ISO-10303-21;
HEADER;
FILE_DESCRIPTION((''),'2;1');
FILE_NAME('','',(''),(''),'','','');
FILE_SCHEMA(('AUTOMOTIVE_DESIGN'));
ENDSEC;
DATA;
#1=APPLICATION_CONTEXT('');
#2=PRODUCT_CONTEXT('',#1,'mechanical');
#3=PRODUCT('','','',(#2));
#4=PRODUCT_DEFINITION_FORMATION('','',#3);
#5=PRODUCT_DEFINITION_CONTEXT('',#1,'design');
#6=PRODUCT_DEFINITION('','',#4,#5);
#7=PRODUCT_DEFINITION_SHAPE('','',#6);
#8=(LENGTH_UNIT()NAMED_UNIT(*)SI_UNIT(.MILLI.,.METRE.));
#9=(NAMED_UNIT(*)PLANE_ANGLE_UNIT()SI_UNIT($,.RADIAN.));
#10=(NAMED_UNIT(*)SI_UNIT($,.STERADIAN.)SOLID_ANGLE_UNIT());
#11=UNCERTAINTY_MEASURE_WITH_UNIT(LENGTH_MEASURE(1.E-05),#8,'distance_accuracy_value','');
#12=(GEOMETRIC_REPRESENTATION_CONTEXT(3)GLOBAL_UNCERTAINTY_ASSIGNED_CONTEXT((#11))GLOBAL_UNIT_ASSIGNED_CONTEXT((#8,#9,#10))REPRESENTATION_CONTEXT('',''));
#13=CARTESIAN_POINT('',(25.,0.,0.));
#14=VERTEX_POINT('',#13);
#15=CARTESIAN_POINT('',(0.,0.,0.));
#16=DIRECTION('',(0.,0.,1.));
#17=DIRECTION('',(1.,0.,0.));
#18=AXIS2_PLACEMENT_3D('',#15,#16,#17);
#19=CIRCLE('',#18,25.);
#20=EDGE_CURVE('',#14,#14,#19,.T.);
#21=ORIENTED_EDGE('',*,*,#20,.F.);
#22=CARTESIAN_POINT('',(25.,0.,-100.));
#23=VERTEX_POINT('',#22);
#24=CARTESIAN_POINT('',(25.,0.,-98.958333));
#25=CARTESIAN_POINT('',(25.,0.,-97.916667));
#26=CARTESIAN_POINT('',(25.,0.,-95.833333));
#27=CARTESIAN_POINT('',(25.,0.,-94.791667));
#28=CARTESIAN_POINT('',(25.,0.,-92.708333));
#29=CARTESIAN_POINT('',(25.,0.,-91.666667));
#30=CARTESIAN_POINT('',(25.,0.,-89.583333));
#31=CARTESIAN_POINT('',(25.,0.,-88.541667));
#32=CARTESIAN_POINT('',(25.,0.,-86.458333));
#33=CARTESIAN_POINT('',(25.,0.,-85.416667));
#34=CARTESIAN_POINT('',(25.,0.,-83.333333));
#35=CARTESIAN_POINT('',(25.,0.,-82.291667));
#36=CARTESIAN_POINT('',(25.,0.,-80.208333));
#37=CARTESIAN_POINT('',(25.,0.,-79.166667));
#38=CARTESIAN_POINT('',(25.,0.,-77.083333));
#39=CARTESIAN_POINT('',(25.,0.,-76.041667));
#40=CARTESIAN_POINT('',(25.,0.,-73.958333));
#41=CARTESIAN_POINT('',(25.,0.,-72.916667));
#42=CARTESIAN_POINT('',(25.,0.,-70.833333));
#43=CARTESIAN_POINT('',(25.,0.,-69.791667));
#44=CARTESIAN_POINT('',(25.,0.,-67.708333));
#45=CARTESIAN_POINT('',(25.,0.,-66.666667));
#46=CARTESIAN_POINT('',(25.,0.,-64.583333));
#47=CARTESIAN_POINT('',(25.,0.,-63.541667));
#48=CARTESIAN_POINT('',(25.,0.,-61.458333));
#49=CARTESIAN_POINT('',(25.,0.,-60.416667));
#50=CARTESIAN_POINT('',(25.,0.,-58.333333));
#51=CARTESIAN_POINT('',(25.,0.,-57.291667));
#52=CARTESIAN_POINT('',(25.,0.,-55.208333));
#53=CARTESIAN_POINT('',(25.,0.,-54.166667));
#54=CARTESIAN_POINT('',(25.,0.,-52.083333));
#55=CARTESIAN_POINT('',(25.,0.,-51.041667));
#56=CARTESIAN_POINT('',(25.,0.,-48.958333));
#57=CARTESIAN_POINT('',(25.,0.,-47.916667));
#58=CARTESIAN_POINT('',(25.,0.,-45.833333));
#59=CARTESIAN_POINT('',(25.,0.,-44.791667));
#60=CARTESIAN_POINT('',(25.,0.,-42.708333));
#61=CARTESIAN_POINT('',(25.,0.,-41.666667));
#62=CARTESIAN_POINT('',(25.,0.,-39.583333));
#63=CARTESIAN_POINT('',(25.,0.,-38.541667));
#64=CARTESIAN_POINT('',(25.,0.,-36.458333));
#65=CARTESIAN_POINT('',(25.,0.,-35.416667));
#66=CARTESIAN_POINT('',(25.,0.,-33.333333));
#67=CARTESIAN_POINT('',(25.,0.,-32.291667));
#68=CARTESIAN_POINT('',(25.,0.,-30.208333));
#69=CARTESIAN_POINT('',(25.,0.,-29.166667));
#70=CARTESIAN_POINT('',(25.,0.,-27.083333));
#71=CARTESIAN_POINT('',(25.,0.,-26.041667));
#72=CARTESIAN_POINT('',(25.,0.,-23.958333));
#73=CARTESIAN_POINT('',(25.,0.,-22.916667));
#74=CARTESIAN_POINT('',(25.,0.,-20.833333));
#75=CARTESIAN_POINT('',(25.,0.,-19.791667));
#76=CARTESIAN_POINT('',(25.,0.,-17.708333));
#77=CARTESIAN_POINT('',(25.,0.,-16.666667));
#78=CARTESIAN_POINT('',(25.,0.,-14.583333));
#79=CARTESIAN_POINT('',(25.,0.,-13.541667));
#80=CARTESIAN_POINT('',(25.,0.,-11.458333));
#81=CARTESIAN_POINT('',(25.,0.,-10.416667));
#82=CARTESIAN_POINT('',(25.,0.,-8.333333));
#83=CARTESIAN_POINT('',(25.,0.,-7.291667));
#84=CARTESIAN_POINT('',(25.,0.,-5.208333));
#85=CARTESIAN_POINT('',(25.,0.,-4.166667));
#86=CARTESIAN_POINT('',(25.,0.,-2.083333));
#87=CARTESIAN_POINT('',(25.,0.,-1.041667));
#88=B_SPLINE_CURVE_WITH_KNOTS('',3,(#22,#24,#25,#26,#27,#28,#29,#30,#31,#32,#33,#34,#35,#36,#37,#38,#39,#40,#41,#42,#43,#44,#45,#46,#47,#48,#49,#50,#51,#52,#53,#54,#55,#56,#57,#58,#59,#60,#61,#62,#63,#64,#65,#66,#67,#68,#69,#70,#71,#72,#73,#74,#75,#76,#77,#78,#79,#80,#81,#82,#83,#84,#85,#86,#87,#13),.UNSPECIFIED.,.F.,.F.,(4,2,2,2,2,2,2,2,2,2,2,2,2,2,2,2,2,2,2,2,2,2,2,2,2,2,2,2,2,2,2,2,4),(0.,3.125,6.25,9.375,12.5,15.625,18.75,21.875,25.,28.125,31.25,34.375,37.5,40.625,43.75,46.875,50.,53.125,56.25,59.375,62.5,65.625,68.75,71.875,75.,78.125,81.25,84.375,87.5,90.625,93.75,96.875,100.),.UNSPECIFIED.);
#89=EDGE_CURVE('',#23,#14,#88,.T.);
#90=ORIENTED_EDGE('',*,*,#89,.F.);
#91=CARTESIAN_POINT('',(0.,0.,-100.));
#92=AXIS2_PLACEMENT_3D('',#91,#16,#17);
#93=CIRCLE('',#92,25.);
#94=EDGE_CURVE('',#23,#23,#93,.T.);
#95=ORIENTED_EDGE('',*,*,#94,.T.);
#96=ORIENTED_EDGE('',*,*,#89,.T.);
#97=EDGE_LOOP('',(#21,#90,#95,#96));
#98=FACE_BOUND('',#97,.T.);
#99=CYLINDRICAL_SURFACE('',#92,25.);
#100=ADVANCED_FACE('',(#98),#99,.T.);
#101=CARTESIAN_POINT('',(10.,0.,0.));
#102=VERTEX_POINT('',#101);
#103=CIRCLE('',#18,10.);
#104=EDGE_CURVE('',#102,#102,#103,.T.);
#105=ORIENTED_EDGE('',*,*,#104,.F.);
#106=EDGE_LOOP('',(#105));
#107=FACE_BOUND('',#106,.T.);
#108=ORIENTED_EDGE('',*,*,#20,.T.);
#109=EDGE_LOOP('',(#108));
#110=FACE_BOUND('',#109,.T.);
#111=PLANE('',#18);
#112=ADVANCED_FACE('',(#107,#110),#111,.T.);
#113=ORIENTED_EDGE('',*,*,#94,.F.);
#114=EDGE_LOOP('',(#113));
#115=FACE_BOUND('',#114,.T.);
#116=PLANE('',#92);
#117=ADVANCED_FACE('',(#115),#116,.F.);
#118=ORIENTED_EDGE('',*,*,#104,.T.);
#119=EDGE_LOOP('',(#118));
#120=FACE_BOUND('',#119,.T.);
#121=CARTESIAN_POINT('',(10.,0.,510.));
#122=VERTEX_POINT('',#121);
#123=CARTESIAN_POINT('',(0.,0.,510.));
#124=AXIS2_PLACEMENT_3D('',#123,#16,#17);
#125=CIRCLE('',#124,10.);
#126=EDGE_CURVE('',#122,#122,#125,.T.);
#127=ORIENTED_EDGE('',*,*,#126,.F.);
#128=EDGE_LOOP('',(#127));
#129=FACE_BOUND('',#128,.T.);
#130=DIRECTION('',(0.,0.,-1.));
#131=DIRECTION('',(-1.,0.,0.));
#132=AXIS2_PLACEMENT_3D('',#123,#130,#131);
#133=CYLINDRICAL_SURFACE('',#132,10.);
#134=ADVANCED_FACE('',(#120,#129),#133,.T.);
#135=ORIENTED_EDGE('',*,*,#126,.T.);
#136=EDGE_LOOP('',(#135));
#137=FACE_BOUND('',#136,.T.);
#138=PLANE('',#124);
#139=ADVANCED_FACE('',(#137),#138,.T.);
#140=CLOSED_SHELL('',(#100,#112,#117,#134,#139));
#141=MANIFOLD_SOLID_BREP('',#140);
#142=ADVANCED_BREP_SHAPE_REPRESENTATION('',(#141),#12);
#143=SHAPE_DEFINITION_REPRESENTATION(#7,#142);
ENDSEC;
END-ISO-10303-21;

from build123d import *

# Parameters (mm, degrees)
SKETCH1_R           = 25
BOSS_EXTRUDE1_DEPTH = 100
SKETCH2_R           = 10
BOSS_EXTRUDE2_DEPTH = 510


with BuildPart() as part:
    # Sketch1 → Boss-Extrude1 (new body)
    with BuildSketch(Plane.XY):
        Circle(SKETCH1_R)
    extrude(amount=-BOSS_EXTRUDE1_DEPTH)

    # Sketch2 → Boss-Extrude2 (add)
    with BuildSketch(Plane.XY):
        Circle(SKETCH2_R)
    extrude(amount=BOSS_EXTRUDE2_DEPTH)


solid = part.part
